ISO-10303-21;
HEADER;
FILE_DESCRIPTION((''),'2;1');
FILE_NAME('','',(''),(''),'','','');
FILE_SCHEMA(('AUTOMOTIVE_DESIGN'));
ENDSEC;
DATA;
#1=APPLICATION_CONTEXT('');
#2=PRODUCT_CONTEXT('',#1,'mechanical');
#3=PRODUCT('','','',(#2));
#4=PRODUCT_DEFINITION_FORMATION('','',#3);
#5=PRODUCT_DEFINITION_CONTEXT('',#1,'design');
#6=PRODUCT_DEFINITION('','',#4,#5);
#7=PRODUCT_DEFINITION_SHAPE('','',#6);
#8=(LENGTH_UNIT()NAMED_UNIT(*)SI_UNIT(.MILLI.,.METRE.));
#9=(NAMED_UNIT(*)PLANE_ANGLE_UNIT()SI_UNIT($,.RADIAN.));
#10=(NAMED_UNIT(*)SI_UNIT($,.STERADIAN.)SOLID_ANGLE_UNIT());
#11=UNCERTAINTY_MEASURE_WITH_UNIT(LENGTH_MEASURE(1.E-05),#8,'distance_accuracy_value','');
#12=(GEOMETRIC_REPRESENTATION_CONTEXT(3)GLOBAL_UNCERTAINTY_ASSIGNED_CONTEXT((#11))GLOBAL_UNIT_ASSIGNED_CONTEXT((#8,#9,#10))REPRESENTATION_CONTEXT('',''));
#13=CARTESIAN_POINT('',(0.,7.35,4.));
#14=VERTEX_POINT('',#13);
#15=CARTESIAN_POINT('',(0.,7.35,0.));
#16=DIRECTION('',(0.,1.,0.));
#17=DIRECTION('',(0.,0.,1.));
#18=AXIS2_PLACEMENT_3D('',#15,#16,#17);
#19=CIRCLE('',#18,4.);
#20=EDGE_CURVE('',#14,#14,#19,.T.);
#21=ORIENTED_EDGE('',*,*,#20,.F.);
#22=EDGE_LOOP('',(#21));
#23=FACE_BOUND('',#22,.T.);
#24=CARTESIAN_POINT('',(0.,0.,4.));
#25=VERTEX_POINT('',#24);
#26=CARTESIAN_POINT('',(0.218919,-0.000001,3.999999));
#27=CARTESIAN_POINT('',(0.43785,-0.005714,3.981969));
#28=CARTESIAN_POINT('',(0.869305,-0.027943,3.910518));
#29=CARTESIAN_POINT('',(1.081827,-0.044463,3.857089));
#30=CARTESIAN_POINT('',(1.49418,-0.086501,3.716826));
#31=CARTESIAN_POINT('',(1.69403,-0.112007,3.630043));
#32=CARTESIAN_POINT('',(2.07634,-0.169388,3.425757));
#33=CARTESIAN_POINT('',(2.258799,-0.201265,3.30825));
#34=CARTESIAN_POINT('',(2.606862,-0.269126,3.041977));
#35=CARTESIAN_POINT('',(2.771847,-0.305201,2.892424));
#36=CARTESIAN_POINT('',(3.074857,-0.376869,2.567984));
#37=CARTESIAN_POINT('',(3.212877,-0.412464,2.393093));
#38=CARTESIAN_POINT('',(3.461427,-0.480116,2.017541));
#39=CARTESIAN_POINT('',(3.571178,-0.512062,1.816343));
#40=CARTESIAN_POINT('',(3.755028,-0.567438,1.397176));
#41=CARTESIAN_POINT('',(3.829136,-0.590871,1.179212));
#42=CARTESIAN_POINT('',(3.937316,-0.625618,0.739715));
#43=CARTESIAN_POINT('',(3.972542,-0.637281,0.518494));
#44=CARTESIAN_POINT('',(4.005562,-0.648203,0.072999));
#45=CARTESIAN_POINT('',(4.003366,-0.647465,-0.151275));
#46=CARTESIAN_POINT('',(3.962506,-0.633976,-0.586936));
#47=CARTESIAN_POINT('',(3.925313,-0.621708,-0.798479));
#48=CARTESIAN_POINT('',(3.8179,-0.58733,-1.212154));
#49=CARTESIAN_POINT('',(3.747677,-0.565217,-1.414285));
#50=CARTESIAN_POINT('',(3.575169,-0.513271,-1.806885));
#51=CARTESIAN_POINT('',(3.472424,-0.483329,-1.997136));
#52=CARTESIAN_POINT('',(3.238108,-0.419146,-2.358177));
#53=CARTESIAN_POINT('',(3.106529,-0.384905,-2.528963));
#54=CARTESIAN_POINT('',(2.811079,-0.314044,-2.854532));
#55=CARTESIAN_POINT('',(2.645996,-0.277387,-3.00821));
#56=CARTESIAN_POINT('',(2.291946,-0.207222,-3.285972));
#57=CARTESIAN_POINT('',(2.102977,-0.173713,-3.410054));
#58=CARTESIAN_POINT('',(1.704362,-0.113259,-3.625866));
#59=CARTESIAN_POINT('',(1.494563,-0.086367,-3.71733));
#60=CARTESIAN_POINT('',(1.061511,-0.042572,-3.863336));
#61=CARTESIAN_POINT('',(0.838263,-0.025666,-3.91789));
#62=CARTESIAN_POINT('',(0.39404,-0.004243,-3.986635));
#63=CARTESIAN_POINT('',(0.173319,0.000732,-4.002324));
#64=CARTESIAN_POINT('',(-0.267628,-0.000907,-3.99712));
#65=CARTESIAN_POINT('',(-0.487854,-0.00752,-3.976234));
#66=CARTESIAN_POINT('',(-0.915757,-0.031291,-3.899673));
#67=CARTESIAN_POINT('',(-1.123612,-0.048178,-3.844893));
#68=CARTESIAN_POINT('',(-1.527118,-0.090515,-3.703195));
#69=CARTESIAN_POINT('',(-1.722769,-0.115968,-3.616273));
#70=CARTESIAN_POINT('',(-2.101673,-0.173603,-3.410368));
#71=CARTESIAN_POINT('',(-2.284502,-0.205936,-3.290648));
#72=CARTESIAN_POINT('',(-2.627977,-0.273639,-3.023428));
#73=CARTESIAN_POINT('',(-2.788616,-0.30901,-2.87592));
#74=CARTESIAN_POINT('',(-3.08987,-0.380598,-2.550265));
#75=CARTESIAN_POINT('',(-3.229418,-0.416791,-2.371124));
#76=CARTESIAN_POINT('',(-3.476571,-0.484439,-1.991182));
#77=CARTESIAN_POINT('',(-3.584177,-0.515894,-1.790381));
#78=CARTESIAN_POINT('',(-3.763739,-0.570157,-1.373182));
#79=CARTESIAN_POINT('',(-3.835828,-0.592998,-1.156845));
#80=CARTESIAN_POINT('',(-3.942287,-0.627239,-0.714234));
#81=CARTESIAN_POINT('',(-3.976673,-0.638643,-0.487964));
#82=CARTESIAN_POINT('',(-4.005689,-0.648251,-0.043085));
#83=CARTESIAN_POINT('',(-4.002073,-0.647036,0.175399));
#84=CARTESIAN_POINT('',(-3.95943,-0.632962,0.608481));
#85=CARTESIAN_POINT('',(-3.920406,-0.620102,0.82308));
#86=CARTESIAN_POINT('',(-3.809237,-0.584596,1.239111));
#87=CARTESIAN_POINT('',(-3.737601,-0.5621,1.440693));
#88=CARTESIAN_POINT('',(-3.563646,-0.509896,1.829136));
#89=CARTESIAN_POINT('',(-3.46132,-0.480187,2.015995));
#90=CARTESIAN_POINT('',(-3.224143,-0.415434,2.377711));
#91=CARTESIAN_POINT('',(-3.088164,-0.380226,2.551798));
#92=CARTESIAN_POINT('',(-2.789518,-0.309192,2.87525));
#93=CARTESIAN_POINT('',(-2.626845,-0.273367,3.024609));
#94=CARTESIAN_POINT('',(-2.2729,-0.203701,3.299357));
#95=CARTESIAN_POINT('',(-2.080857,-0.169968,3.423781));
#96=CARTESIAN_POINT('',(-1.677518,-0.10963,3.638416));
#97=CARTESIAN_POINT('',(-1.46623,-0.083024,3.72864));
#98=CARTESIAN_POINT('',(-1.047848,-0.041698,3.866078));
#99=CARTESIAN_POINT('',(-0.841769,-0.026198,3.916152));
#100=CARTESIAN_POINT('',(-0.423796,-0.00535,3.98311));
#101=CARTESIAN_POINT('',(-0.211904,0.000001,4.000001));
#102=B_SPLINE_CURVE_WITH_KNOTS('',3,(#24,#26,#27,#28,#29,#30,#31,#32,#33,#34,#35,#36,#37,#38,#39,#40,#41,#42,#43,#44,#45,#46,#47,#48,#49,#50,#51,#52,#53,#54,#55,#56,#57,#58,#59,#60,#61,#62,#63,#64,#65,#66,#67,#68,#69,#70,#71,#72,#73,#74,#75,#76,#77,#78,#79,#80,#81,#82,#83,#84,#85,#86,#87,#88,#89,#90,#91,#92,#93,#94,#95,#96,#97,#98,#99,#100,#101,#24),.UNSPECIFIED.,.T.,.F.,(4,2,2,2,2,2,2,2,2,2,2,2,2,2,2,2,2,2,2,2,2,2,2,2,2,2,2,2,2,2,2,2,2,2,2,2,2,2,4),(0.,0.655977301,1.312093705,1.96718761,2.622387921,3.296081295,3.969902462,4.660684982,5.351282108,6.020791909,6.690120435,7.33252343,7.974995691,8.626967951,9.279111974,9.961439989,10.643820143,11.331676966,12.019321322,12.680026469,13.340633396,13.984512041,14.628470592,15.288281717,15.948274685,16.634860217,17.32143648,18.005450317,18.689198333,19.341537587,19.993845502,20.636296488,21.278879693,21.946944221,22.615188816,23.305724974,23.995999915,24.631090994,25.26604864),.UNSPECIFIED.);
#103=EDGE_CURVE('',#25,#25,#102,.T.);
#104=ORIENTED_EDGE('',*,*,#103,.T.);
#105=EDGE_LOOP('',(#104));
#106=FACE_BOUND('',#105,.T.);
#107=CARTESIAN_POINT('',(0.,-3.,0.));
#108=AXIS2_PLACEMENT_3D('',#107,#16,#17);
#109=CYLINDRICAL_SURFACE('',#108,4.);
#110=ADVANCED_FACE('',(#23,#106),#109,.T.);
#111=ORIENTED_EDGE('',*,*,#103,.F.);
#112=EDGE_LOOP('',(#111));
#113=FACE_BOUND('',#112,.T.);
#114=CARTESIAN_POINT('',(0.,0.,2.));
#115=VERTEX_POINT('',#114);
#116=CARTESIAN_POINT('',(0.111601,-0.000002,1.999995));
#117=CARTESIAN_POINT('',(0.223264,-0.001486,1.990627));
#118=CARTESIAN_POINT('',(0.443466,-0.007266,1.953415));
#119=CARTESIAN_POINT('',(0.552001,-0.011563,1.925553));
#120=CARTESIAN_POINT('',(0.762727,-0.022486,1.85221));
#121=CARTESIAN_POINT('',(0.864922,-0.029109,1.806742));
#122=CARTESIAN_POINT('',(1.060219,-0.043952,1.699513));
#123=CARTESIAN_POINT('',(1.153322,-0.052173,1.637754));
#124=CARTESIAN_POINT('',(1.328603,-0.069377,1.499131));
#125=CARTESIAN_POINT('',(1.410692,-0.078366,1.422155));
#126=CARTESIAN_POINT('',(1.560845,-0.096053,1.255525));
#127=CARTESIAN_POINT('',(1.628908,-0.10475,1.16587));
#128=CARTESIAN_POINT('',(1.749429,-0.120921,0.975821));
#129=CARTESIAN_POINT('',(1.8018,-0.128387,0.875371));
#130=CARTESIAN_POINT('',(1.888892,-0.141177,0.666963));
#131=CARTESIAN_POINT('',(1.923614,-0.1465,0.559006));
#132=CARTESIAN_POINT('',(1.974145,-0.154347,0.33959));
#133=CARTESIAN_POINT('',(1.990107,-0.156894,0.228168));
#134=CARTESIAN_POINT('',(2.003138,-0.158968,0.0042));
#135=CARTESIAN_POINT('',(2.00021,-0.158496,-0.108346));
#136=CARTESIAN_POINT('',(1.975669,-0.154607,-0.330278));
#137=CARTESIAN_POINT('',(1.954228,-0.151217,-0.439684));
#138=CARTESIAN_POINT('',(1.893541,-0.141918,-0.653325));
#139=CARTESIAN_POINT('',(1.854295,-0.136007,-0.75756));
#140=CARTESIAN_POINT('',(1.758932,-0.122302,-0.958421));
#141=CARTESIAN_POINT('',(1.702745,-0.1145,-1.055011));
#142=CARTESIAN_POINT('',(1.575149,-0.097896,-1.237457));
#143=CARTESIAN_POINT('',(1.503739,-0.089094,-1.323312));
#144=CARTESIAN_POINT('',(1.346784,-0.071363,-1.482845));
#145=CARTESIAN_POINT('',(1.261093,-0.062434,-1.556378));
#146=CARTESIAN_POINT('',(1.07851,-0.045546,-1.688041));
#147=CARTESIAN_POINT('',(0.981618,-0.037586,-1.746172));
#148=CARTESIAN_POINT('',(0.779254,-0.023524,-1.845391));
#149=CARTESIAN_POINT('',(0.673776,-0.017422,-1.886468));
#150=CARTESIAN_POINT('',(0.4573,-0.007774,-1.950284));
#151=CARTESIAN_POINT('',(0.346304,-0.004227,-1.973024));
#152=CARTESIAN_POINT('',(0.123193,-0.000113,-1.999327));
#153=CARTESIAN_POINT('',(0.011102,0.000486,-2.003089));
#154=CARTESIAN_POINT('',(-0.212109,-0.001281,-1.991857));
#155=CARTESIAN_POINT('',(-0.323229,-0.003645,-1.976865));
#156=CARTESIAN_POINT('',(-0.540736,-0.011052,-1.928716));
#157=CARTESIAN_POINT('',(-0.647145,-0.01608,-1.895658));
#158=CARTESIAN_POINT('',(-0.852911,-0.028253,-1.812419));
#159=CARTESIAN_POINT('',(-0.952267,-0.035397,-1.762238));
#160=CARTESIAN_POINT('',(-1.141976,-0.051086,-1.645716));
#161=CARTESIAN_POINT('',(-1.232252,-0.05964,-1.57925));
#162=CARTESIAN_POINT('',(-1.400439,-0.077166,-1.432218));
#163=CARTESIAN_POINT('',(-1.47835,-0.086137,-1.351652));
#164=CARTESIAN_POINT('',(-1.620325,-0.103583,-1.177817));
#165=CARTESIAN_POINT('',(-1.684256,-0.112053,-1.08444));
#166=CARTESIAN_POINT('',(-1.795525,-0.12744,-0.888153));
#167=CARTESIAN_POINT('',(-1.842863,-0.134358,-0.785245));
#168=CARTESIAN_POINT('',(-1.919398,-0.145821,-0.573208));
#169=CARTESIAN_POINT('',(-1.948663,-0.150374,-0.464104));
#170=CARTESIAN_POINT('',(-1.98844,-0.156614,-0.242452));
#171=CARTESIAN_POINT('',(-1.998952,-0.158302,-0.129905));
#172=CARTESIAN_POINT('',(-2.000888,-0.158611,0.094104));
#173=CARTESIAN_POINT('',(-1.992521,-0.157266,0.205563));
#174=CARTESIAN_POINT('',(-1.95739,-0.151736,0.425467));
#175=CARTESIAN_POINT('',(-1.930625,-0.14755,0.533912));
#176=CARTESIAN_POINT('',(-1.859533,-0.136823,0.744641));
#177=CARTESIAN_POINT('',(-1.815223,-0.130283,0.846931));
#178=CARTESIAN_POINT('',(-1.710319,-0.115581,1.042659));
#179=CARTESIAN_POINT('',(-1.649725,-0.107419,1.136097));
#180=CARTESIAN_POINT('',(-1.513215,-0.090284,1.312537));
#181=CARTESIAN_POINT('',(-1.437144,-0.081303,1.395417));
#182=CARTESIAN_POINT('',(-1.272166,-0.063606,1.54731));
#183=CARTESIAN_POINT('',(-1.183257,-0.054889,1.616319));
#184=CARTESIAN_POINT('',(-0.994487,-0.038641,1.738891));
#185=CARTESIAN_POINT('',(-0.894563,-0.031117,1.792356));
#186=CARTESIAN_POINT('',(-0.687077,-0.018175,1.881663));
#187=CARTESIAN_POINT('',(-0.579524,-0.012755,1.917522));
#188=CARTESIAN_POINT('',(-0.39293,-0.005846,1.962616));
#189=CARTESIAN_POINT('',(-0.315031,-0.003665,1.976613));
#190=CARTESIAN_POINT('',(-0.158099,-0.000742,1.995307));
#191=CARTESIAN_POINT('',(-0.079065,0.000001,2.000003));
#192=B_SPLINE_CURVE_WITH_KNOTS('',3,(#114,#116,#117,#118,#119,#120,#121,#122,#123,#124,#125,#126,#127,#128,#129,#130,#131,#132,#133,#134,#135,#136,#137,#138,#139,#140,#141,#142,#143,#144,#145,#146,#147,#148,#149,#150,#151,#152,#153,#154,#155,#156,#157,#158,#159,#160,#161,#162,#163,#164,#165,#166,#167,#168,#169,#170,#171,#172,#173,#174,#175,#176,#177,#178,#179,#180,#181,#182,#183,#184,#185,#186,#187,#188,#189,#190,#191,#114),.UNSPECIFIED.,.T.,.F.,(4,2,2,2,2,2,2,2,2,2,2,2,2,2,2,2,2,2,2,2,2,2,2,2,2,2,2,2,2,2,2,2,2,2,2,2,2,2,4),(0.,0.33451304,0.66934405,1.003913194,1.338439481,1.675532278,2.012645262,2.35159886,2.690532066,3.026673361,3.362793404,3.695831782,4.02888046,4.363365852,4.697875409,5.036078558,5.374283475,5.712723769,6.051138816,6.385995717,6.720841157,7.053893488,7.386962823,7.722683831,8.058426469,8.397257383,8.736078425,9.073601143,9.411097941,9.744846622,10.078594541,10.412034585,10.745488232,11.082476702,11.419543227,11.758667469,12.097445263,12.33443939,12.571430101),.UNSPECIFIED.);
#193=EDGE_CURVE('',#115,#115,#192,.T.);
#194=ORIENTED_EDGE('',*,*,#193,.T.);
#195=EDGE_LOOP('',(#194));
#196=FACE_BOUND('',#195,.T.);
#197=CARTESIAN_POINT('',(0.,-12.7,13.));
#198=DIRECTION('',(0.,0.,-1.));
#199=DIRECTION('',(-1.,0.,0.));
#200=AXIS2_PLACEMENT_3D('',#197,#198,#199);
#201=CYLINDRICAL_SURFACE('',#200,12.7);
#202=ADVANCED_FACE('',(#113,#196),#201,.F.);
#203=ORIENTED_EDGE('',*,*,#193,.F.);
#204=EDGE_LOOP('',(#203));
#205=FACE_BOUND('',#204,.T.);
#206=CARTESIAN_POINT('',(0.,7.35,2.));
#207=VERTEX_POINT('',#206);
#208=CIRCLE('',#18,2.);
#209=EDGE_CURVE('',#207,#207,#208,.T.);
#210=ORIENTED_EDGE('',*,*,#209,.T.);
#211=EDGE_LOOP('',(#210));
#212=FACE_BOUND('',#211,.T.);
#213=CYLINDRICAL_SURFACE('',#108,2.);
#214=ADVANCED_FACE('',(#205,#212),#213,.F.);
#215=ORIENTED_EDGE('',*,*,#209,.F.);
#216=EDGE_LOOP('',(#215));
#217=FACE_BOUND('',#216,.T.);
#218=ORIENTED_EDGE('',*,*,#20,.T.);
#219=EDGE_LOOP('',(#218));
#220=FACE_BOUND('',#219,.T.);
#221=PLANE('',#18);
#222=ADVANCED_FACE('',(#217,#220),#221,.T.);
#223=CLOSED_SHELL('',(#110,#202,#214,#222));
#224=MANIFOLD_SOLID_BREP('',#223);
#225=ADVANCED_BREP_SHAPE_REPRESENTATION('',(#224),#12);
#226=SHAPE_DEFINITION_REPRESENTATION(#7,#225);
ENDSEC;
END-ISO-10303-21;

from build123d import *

# Parameters (mm, degrees)
BOSS_EXTRUDE1_DEPTH      = 7.35
BOSS_EXTRUDE1_DEPTH_BACK = 3
SKETCH1_R                = 4
SKETCH1_R_2              = 2
CUT_EXTRUDE1_DEPTH       = 13
CUT_EXTRUDE1_DEPTH_BACK  = 13
SKETCH2_R                = 12.7


with BuildPart() as part:
    # Sketch1 → Boss-Extrude1 (new, two sides: drawn at the far end of the back side and taken through both)
    with BuildSketch(Plane(origin=(0, 0, 0), x_dir=(1, 0, 0), z_dir=(0, 1, 0)).offset(-BOSS_EXTRUDE1_DEPTH_BACK)):
        Circle(SKETCH1_R)
        Circle(SKETCH1_R_2, mode=Mode.SUBTRACT)
    extrude(amount=BOSS_EXTRUDE1_DEPTH + BOSS_EXTRUDE1_DEPTH_BACK)

    # Sketch2 → Cut-Extrude1 (cut, two sides: drawn at the far end of the back side and taken through both)
    with BuildSketch(Plane.XY.offset(-CUT_EXTRUDE1_DEPTH_BACK)):
        with Locations((0, -12.7)):
            Circle(SKETCH2_R)
    extrude(amount=CUT_EXTRUDE1_DEPTH + CUT_EXTRUDE1_DEPTH_BACK, mode=Mode.SUBTRACT)


solid = part.part
